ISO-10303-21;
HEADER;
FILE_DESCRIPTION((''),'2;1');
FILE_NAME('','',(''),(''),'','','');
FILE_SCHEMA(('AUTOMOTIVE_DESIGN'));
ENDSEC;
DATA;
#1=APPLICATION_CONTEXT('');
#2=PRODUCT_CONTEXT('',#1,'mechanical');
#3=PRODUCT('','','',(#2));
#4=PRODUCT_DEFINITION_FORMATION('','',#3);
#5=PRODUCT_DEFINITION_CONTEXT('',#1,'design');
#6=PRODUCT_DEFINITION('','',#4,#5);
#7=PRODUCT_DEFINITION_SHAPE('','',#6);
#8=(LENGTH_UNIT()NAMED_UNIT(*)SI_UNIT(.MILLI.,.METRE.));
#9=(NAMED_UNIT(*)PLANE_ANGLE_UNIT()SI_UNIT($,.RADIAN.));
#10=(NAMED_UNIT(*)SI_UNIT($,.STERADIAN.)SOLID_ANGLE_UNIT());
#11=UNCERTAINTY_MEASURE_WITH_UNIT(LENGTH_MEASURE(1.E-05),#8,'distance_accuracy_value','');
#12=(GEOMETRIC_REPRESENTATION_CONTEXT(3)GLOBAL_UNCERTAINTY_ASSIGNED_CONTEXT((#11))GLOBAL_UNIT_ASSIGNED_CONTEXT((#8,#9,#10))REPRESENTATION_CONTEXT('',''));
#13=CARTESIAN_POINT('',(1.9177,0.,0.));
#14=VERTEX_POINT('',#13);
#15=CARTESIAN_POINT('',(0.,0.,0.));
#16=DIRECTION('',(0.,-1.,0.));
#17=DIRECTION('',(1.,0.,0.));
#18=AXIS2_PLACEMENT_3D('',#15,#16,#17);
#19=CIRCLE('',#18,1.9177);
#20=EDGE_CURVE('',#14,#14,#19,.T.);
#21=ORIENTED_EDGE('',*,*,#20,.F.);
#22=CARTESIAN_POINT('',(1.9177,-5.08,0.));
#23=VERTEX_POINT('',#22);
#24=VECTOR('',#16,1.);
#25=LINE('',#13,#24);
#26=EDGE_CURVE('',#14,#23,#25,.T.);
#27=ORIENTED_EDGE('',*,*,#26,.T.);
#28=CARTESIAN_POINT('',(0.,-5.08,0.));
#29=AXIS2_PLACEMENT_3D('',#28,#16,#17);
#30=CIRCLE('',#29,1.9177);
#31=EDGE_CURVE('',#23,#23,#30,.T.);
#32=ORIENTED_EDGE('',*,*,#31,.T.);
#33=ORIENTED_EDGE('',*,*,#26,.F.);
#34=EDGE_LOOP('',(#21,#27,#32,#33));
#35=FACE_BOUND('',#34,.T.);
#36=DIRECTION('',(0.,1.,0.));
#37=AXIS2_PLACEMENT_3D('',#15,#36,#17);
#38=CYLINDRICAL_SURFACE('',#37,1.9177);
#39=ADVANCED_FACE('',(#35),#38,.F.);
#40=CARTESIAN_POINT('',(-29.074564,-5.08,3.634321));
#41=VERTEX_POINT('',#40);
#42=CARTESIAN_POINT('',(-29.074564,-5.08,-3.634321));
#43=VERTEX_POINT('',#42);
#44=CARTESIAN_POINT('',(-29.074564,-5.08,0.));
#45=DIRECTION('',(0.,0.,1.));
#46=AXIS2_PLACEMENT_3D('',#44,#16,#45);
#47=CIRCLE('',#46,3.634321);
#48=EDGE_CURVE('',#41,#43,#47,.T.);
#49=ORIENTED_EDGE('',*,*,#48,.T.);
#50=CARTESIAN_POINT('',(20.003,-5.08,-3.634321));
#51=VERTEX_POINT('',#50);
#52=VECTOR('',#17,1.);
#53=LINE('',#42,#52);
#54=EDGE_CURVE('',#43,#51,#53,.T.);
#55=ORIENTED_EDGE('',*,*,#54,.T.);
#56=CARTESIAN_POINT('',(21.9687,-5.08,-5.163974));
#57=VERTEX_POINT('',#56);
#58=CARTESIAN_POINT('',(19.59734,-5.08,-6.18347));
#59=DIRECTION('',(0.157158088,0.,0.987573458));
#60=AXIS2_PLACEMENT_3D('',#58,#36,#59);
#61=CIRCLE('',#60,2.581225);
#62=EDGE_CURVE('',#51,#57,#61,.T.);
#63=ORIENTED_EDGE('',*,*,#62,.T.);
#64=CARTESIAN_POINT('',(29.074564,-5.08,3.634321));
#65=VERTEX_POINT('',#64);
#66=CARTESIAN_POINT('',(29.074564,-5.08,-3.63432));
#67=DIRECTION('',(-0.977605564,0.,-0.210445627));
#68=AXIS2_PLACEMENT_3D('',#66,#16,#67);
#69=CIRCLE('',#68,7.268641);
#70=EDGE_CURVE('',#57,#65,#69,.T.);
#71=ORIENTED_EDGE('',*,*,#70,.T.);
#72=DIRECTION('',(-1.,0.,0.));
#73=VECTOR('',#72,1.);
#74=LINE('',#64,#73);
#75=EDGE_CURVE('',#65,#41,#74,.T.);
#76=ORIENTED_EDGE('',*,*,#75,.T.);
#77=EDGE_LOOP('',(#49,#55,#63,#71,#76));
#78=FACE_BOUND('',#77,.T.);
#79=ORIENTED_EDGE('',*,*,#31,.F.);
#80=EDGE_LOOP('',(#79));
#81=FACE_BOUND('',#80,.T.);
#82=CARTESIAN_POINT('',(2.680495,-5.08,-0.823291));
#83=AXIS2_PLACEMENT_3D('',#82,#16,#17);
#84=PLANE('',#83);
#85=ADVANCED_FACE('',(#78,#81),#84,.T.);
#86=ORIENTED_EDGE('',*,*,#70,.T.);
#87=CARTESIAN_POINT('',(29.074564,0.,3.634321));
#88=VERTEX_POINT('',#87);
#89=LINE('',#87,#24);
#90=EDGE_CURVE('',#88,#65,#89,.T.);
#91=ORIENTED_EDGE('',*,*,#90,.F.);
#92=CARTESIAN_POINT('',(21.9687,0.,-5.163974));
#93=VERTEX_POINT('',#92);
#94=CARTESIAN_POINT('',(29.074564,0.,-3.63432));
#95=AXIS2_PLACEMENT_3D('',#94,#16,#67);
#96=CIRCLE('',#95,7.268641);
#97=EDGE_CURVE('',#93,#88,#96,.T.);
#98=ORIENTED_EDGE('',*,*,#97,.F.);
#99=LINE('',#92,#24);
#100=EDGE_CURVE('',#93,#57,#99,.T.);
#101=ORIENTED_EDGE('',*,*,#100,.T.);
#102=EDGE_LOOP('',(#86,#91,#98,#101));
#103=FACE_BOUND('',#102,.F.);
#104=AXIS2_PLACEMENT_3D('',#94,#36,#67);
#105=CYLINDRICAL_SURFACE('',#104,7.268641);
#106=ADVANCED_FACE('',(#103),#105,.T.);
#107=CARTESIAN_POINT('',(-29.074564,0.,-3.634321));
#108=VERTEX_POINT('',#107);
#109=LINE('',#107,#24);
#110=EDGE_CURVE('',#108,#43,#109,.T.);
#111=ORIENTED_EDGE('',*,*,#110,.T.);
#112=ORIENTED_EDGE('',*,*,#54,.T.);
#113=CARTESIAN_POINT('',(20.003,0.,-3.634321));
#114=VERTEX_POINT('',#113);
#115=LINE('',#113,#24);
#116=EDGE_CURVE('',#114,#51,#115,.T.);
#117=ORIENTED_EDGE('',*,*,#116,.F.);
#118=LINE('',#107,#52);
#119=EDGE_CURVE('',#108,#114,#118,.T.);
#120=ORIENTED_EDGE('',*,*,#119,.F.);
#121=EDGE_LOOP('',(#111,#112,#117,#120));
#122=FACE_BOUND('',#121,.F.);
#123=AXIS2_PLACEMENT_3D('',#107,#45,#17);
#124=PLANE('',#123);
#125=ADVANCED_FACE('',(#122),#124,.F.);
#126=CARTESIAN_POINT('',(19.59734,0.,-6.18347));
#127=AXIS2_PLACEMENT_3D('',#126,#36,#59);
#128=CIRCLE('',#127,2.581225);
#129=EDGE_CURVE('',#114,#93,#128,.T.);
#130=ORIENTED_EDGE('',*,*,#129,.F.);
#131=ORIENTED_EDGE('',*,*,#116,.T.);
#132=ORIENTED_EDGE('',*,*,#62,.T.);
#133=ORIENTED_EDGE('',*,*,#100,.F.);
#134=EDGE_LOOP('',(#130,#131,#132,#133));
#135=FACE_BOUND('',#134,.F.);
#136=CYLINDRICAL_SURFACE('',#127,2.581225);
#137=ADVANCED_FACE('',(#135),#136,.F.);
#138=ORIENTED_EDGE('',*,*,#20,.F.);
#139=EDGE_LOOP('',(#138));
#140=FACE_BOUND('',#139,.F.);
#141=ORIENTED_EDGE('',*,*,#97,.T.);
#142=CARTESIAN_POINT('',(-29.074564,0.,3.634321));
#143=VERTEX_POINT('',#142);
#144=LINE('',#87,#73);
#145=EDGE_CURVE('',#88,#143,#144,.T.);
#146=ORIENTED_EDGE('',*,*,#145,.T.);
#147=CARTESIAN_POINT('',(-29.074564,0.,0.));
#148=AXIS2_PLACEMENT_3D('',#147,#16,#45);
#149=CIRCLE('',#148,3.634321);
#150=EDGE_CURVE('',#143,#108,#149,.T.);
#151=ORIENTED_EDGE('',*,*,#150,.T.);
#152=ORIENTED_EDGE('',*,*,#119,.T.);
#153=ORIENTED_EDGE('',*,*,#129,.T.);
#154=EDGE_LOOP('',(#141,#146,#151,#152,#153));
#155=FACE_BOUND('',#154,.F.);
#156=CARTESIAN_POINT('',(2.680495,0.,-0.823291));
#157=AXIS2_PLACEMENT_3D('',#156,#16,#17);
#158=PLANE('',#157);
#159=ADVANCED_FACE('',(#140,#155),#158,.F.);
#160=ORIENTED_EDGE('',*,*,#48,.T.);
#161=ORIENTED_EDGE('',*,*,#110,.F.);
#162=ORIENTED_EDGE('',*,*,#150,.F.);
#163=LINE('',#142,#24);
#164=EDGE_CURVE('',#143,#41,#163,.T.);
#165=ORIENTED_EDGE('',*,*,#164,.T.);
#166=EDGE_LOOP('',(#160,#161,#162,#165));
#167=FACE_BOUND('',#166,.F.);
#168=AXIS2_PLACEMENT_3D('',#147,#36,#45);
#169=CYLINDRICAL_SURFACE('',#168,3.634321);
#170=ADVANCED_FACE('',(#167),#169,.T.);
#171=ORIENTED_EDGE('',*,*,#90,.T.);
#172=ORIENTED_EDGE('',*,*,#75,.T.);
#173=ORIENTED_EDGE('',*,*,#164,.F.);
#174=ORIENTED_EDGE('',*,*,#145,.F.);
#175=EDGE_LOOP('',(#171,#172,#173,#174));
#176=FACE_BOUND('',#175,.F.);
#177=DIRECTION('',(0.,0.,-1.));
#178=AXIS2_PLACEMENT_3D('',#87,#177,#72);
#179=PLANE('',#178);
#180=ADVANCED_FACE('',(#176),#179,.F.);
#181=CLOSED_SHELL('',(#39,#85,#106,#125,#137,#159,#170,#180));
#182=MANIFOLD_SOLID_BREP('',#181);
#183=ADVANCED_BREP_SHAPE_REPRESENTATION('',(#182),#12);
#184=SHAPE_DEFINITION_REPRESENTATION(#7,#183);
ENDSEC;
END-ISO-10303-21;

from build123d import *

# Parameters (mm, degrees)
F0_R     = 1.9177
F1_DEPTH = 5.08


with BuildPart() as f1:
    # F0 (on Front) → F1 (new body)
    with BuildSketch(Plane.XZ):
        with BuildLine():
            Line((-29.074564, -3.634321), (20.003, -3.634321))
            ThreePointArc((20.003, -3.634321), (21.182559, -4.146364), (21.9687, -5.163974))
            ThreePointArc((21.9687, -5.163974), (34.729281, -8.201302), (29.074564, 3.634321))
            Line((29.074564, 3.634321), (-29.074564, 3.634321))
            ThreePointArc((-29.074564, 3.634321), (-32.708885, 0), (-29.074564, -3.634321))
        make_face()
        Circle(F0_R, mode=Mode.SUBTRACT)
    extrude(amount=F1_DEPTH)


solid = f1.part
